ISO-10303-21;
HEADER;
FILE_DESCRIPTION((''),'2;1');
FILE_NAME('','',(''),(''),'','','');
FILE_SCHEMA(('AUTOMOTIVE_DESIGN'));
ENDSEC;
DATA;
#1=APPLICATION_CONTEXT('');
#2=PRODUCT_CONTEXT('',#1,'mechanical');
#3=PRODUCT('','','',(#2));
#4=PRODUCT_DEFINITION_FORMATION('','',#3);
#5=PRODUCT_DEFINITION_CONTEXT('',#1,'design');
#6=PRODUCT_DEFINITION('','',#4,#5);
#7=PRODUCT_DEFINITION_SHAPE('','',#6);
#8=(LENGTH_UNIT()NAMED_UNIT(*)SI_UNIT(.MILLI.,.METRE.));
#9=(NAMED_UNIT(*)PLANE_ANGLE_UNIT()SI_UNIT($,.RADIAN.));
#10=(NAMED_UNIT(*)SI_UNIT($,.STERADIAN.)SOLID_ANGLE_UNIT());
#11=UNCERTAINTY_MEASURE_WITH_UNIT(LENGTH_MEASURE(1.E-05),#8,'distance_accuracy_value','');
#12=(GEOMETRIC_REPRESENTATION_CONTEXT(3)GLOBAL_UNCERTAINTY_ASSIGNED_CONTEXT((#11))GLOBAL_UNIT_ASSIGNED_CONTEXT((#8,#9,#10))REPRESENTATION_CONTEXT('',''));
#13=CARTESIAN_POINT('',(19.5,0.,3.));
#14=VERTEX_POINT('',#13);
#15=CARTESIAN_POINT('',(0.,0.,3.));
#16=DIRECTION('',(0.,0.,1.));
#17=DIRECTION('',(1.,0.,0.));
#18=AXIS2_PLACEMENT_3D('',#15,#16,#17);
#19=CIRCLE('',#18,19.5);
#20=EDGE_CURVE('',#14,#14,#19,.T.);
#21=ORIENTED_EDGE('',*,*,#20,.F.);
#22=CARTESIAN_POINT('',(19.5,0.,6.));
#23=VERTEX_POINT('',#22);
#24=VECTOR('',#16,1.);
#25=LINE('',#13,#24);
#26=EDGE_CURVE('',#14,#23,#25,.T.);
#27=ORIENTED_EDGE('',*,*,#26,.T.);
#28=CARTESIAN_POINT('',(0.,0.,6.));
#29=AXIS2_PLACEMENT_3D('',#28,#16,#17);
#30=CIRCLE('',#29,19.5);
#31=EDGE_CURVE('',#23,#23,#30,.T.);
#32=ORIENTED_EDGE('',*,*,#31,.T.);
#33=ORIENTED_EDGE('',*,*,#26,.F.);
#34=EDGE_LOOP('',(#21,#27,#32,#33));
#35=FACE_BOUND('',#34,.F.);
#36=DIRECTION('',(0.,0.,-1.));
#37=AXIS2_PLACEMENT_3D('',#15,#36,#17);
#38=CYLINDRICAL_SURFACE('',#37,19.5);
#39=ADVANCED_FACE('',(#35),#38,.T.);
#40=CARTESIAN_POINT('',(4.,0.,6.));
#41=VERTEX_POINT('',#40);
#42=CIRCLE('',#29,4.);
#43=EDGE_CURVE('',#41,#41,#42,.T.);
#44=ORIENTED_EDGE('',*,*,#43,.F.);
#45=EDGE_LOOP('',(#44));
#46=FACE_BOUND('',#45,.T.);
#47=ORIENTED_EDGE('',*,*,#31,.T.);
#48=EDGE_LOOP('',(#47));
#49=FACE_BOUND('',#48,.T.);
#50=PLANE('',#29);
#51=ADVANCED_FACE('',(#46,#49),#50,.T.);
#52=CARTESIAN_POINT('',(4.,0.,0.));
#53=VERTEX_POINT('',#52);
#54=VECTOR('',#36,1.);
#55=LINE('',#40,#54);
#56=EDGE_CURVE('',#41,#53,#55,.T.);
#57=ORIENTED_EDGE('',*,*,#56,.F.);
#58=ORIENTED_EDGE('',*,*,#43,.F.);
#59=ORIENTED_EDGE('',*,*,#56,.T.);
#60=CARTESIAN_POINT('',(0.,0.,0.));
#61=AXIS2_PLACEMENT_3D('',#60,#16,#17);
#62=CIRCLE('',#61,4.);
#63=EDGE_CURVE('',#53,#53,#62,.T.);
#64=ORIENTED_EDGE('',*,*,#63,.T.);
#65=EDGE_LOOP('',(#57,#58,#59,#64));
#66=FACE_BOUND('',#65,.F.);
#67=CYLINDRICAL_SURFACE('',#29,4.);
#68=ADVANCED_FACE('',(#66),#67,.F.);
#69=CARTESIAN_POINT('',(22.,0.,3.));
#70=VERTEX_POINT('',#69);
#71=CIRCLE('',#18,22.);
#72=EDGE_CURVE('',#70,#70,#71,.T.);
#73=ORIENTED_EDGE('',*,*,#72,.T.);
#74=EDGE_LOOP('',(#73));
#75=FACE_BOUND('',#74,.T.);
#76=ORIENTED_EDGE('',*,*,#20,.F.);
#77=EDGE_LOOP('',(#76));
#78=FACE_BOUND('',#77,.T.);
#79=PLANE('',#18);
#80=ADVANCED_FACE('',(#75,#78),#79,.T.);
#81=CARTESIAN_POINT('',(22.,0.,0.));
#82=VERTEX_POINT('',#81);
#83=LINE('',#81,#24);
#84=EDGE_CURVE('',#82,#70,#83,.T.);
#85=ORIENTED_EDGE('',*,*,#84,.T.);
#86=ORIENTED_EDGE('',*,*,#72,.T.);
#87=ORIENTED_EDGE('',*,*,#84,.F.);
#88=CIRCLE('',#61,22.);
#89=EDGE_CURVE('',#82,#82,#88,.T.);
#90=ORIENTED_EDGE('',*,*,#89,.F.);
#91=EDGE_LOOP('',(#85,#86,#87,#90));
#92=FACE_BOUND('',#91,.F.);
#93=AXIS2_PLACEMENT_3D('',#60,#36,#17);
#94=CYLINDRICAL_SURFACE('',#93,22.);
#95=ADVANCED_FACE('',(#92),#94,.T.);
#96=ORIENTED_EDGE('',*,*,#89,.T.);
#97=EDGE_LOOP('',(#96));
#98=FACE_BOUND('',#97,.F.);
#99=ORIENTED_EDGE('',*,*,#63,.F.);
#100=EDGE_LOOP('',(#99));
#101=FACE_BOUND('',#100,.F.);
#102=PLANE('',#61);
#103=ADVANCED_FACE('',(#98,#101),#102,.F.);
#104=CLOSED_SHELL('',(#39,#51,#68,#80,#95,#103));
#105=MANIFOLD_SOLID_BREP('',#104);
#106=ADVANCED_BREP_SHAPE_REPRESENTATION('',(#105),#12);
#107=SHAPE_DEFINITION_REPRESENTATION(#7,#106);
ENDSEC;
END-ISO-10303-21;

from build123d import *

# Parameters (mm, degrees)
F0_R     = 22
F1_DEPTH = 3
F2_R     = 19.5
F3_DEPTH = 3
F4_R     = 4
F5_DEPTH = 6.001


with BuildPart() as f1:
    # F0 (on Top) → F1 (new body)
    with BuildSketch(Plane.XY):
        Circle(F0_R)
    extrude(amount=F1_DEPTH)

    # F2 (on face) → F3 (join)
    with BuildSketch(Plane.XY.offset(3)):
        Circle(F2_R)
    extrude(amount=F3_DEPTH)

    # F4 (on face) → F5 (cut, through all)
    with BuildSketch(Plane.XY.offset(6)):
        Circle(F4_R)
    extrude(amount=-F5_DEPTH, mode=Mode.SUBTRACT)


solid = f1.part
